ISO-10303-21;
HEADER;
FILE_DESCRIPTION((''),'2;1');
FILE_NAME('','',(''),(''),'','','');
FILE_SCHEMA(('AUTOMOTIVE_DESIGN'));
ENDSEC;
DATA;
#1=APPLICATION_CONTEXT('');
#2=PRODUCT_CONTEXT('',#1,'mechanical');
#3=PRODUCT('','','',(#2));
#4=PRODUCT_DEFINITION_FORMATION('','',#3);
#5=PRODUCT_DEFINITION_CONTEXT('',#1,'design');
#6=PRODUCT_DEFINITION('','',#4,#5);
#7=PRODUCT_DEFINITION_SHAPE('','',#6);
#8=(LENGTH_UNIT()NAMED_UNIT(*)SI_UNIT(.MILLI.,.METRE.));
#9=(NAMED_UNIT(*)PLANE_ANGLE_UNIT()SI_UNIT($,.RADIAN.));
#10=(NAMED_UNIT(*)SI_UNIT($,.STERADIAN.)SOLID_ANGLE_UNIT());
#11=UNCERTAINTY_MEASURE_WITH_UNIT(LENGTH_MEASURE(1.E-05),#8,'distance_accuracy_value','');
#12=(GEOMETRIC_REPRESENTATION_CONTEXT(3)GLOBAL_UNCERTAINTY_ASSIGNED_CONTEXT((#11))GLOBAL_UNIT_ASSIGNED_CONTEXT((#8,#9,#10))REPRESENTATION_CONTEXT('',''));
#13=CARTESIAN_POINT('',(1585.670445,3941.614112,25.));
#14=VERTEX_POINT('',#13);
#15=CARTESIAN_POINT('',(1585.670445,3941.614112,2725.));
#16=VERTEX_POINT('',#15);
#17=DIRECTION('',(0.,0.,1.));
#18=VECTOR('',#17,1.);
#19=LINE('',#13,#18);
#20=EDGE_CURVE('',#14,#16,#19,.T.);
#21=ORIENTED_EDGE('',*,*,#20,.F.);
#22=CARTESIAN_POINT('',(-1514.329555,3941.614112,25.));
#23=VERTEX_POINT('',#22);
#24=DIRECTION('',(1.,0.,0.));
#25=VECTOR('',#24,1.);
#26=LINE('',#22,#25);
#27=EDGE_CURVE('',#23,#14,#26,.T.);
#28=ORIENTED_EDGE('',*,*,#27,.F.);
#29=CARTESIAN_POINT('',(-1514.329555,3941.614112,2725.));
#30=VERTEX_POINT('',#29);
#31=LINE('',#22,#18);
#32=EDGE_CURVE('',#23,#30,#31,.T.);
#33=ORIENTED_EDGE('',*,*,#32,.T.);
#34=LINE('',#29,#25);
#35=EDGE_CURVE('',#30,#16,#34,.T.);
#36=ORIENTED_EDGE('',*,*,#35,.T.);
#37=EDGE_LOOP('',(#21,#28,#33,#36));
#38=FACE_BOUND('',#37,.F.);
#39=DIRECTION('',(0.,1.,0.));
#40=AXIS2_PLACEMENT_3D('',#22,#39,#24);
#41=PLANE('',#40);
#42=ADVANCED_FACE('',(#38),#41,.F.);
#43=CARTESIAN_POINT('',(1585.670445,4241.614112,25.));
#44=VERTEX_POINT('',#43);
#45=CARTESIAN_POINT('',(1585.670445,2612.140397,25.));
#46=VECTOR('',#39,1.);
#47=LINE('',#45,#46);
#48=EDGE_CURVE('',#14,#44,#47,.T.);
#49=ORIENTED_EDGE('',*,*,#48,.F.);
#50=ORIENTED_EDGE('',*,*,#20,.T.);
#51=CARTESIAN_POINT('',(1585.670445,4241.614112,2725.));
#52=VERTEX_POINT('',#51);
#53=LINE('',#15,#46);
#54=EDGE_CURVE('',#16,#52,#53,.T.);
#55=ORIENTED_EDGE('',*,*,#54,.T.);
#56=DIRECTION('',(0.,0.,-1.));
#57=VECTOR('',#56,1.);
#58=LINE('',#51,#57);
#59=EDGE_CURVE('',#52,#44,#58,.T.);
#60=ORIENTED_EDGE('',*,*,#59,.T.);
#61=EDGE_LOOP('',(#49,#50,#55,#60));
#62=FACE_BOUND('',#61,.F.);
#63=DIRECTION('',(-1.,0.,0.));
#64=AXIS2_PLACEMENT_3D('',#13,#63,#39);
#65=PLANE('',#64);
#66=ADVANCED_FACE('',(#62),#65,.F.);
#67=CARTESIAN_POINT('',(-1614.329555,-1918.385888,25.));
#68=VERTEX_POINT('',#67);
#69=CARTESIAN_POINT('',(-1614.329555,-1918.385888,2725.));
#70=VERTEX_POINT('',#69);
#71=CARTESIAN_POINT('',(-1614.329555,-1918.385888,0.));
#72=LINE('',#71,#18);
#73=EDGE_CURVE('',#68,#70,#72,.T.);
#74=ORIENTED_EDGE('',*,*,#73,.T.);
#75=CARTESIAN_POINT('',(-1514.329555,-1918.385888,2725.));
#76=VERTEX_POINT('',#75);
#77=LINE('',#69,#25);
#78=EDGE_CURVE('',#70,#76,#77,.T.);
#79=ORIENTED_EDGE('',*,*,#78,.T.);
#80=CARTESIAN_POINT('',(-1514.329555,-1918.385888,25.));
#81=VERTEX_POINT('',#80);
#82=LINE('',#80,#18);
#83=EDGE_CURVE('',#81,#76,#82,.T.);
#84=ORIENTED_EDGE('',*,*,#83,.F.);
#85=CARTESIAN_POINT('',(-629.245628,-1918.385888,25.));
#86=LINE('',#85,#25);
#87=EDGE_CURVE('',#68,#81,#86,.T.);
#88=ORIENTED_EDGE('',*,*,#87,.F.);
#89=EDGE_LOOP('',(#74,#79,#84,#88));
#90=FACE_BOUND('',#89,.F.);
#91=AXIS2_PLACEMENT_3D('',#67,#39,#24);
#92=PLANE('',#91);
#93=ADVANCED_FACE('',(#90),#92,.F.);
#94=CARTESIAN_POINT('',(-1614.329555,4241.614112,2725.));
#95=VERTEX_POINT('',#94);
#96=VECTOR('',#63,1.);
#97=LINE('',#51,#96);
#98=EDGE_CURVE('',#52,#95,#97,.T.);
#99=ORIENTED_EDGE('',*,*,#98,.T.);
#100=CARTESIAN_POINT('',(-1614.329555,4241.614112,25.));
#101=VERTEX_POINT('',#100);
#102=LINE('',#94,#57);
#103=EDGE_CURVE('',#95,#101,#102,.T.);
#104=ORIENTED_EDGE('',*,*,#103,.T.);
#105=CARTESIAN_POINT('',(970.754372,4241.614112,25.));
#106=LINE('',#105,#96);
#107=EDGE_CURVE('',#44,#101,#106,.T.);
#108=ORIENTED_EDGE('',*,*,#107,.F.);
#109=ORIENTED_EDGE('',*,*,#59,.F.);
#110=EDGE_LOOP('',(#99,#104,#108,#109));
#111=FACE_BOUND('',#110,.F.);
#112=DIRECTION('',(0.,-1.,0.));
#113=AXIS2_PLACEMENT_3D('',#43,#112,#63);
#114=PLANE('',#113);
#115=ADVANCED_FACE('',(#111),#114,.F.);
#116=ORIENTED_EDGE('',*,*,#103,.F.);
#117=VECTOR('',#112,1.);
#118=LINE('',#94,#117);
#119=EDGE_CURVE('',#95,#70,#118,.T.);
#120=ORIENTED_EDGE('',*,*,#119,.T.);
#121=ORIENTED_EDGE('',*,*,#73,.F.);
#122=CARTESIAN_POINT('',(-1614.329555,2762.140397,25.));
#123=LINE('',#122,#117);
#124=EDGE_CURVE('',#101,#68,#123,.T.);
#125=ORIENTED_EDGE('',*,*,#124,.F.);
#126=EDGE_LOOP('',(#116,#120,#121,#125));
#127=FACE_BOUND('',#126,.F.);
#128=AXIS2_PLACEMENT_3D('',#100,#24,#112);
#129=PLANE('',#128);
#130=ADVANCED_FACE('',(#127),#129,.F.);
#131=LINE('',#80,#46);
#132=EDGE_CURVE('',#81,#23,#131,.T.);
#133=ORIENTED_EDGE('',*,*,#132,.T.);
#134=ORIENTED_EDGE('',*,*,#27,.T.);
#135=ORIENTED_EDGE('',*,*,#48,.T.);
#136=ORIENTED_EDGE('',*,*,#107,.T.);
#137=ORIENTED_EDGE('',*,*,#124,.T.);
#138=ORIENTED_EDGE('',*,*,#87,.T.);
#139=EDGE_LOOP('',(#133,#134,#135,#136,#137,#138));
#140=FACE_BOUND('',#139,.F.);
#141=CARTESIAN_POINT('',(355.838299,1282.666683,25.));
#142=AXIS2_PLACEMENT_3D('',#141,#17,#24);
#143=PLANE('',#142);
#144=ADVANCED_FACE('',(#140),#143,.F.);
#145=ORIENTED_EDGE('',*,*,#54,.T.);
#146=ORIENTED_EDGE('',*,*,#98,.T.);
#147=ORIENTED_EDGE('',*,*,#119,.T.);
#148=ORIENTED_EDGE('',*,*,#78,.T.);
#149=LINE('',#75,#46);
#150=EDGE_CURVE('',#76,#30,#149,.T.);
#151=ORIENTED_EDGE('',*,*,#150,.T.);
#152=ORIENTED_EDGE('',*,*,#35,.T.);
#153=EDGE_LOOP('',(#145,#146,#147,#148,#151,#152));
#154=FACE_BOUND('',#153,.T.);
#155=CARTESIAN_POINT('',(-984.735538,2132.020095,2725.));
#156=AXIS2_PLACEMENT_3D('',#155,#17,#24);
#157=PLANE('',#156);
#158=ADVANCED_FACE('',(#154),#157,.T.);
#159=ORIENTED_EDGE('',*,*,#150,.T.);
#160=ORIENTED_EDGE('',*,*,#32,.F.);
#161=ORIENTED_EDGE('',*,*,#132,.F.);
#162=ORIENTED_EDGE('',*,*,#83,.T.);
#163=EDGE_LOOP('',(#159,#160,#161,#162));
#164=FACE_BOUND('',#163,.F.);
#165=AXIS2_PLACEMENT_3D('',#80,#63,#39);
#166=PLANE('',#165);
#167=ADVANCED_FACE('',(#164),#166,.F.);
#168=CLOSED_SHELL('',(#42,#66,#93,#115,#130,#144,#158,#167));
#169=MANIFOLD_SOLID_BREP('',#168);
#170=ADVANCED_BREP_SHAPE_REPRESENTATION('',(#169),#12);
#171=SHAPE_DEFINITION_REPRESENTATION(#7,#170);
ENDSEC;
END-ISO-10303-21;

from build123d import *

# Parameters (mm, degrees)
F0_W     = 3200
F0_H     = 6160
F1_DEPTH = 25
F3_DEPTH = 2700
F4_W     = 4864.851475
F4_H     = 6786.141396
F5_DEPTH = 350


with BuildPart() as f1:
    # F0 (on Top) → F1 (new body)
    with BuildSketch(Plane.XY):
        with Locations((-14.329555, 1161.614112)):
            Rectangle(F0_W, F0_H)
    extrude(amount=F1_DEPTH)

    # F2 (on face) → F3 (join)
    with BuildSketch(Plane.XY.offset(25)):
        Polygon((-1614.329555, 4241.614112), (-1614.329555, -1918.385888), (-1514.329555, -1918.385888), (-1514.329555, 3941.614112), (1585.670445, 3941.614112), (1585.670445, 4241.614112), (-1514.329555, 4241.614112), align=None)
    extrude(amount=F3_DEPTH)

    # F4 (on face) → F5 (cut)
    with BuildSketch(Plane.XY.offset(25)):
        with Locations((355.838299, 1282.666683)):
            Rectangle(F4_W, F4_H)
    extrude(amount=-F5_DEPTH, mode=Mode.SUBTRACT)


solid = f1.part
